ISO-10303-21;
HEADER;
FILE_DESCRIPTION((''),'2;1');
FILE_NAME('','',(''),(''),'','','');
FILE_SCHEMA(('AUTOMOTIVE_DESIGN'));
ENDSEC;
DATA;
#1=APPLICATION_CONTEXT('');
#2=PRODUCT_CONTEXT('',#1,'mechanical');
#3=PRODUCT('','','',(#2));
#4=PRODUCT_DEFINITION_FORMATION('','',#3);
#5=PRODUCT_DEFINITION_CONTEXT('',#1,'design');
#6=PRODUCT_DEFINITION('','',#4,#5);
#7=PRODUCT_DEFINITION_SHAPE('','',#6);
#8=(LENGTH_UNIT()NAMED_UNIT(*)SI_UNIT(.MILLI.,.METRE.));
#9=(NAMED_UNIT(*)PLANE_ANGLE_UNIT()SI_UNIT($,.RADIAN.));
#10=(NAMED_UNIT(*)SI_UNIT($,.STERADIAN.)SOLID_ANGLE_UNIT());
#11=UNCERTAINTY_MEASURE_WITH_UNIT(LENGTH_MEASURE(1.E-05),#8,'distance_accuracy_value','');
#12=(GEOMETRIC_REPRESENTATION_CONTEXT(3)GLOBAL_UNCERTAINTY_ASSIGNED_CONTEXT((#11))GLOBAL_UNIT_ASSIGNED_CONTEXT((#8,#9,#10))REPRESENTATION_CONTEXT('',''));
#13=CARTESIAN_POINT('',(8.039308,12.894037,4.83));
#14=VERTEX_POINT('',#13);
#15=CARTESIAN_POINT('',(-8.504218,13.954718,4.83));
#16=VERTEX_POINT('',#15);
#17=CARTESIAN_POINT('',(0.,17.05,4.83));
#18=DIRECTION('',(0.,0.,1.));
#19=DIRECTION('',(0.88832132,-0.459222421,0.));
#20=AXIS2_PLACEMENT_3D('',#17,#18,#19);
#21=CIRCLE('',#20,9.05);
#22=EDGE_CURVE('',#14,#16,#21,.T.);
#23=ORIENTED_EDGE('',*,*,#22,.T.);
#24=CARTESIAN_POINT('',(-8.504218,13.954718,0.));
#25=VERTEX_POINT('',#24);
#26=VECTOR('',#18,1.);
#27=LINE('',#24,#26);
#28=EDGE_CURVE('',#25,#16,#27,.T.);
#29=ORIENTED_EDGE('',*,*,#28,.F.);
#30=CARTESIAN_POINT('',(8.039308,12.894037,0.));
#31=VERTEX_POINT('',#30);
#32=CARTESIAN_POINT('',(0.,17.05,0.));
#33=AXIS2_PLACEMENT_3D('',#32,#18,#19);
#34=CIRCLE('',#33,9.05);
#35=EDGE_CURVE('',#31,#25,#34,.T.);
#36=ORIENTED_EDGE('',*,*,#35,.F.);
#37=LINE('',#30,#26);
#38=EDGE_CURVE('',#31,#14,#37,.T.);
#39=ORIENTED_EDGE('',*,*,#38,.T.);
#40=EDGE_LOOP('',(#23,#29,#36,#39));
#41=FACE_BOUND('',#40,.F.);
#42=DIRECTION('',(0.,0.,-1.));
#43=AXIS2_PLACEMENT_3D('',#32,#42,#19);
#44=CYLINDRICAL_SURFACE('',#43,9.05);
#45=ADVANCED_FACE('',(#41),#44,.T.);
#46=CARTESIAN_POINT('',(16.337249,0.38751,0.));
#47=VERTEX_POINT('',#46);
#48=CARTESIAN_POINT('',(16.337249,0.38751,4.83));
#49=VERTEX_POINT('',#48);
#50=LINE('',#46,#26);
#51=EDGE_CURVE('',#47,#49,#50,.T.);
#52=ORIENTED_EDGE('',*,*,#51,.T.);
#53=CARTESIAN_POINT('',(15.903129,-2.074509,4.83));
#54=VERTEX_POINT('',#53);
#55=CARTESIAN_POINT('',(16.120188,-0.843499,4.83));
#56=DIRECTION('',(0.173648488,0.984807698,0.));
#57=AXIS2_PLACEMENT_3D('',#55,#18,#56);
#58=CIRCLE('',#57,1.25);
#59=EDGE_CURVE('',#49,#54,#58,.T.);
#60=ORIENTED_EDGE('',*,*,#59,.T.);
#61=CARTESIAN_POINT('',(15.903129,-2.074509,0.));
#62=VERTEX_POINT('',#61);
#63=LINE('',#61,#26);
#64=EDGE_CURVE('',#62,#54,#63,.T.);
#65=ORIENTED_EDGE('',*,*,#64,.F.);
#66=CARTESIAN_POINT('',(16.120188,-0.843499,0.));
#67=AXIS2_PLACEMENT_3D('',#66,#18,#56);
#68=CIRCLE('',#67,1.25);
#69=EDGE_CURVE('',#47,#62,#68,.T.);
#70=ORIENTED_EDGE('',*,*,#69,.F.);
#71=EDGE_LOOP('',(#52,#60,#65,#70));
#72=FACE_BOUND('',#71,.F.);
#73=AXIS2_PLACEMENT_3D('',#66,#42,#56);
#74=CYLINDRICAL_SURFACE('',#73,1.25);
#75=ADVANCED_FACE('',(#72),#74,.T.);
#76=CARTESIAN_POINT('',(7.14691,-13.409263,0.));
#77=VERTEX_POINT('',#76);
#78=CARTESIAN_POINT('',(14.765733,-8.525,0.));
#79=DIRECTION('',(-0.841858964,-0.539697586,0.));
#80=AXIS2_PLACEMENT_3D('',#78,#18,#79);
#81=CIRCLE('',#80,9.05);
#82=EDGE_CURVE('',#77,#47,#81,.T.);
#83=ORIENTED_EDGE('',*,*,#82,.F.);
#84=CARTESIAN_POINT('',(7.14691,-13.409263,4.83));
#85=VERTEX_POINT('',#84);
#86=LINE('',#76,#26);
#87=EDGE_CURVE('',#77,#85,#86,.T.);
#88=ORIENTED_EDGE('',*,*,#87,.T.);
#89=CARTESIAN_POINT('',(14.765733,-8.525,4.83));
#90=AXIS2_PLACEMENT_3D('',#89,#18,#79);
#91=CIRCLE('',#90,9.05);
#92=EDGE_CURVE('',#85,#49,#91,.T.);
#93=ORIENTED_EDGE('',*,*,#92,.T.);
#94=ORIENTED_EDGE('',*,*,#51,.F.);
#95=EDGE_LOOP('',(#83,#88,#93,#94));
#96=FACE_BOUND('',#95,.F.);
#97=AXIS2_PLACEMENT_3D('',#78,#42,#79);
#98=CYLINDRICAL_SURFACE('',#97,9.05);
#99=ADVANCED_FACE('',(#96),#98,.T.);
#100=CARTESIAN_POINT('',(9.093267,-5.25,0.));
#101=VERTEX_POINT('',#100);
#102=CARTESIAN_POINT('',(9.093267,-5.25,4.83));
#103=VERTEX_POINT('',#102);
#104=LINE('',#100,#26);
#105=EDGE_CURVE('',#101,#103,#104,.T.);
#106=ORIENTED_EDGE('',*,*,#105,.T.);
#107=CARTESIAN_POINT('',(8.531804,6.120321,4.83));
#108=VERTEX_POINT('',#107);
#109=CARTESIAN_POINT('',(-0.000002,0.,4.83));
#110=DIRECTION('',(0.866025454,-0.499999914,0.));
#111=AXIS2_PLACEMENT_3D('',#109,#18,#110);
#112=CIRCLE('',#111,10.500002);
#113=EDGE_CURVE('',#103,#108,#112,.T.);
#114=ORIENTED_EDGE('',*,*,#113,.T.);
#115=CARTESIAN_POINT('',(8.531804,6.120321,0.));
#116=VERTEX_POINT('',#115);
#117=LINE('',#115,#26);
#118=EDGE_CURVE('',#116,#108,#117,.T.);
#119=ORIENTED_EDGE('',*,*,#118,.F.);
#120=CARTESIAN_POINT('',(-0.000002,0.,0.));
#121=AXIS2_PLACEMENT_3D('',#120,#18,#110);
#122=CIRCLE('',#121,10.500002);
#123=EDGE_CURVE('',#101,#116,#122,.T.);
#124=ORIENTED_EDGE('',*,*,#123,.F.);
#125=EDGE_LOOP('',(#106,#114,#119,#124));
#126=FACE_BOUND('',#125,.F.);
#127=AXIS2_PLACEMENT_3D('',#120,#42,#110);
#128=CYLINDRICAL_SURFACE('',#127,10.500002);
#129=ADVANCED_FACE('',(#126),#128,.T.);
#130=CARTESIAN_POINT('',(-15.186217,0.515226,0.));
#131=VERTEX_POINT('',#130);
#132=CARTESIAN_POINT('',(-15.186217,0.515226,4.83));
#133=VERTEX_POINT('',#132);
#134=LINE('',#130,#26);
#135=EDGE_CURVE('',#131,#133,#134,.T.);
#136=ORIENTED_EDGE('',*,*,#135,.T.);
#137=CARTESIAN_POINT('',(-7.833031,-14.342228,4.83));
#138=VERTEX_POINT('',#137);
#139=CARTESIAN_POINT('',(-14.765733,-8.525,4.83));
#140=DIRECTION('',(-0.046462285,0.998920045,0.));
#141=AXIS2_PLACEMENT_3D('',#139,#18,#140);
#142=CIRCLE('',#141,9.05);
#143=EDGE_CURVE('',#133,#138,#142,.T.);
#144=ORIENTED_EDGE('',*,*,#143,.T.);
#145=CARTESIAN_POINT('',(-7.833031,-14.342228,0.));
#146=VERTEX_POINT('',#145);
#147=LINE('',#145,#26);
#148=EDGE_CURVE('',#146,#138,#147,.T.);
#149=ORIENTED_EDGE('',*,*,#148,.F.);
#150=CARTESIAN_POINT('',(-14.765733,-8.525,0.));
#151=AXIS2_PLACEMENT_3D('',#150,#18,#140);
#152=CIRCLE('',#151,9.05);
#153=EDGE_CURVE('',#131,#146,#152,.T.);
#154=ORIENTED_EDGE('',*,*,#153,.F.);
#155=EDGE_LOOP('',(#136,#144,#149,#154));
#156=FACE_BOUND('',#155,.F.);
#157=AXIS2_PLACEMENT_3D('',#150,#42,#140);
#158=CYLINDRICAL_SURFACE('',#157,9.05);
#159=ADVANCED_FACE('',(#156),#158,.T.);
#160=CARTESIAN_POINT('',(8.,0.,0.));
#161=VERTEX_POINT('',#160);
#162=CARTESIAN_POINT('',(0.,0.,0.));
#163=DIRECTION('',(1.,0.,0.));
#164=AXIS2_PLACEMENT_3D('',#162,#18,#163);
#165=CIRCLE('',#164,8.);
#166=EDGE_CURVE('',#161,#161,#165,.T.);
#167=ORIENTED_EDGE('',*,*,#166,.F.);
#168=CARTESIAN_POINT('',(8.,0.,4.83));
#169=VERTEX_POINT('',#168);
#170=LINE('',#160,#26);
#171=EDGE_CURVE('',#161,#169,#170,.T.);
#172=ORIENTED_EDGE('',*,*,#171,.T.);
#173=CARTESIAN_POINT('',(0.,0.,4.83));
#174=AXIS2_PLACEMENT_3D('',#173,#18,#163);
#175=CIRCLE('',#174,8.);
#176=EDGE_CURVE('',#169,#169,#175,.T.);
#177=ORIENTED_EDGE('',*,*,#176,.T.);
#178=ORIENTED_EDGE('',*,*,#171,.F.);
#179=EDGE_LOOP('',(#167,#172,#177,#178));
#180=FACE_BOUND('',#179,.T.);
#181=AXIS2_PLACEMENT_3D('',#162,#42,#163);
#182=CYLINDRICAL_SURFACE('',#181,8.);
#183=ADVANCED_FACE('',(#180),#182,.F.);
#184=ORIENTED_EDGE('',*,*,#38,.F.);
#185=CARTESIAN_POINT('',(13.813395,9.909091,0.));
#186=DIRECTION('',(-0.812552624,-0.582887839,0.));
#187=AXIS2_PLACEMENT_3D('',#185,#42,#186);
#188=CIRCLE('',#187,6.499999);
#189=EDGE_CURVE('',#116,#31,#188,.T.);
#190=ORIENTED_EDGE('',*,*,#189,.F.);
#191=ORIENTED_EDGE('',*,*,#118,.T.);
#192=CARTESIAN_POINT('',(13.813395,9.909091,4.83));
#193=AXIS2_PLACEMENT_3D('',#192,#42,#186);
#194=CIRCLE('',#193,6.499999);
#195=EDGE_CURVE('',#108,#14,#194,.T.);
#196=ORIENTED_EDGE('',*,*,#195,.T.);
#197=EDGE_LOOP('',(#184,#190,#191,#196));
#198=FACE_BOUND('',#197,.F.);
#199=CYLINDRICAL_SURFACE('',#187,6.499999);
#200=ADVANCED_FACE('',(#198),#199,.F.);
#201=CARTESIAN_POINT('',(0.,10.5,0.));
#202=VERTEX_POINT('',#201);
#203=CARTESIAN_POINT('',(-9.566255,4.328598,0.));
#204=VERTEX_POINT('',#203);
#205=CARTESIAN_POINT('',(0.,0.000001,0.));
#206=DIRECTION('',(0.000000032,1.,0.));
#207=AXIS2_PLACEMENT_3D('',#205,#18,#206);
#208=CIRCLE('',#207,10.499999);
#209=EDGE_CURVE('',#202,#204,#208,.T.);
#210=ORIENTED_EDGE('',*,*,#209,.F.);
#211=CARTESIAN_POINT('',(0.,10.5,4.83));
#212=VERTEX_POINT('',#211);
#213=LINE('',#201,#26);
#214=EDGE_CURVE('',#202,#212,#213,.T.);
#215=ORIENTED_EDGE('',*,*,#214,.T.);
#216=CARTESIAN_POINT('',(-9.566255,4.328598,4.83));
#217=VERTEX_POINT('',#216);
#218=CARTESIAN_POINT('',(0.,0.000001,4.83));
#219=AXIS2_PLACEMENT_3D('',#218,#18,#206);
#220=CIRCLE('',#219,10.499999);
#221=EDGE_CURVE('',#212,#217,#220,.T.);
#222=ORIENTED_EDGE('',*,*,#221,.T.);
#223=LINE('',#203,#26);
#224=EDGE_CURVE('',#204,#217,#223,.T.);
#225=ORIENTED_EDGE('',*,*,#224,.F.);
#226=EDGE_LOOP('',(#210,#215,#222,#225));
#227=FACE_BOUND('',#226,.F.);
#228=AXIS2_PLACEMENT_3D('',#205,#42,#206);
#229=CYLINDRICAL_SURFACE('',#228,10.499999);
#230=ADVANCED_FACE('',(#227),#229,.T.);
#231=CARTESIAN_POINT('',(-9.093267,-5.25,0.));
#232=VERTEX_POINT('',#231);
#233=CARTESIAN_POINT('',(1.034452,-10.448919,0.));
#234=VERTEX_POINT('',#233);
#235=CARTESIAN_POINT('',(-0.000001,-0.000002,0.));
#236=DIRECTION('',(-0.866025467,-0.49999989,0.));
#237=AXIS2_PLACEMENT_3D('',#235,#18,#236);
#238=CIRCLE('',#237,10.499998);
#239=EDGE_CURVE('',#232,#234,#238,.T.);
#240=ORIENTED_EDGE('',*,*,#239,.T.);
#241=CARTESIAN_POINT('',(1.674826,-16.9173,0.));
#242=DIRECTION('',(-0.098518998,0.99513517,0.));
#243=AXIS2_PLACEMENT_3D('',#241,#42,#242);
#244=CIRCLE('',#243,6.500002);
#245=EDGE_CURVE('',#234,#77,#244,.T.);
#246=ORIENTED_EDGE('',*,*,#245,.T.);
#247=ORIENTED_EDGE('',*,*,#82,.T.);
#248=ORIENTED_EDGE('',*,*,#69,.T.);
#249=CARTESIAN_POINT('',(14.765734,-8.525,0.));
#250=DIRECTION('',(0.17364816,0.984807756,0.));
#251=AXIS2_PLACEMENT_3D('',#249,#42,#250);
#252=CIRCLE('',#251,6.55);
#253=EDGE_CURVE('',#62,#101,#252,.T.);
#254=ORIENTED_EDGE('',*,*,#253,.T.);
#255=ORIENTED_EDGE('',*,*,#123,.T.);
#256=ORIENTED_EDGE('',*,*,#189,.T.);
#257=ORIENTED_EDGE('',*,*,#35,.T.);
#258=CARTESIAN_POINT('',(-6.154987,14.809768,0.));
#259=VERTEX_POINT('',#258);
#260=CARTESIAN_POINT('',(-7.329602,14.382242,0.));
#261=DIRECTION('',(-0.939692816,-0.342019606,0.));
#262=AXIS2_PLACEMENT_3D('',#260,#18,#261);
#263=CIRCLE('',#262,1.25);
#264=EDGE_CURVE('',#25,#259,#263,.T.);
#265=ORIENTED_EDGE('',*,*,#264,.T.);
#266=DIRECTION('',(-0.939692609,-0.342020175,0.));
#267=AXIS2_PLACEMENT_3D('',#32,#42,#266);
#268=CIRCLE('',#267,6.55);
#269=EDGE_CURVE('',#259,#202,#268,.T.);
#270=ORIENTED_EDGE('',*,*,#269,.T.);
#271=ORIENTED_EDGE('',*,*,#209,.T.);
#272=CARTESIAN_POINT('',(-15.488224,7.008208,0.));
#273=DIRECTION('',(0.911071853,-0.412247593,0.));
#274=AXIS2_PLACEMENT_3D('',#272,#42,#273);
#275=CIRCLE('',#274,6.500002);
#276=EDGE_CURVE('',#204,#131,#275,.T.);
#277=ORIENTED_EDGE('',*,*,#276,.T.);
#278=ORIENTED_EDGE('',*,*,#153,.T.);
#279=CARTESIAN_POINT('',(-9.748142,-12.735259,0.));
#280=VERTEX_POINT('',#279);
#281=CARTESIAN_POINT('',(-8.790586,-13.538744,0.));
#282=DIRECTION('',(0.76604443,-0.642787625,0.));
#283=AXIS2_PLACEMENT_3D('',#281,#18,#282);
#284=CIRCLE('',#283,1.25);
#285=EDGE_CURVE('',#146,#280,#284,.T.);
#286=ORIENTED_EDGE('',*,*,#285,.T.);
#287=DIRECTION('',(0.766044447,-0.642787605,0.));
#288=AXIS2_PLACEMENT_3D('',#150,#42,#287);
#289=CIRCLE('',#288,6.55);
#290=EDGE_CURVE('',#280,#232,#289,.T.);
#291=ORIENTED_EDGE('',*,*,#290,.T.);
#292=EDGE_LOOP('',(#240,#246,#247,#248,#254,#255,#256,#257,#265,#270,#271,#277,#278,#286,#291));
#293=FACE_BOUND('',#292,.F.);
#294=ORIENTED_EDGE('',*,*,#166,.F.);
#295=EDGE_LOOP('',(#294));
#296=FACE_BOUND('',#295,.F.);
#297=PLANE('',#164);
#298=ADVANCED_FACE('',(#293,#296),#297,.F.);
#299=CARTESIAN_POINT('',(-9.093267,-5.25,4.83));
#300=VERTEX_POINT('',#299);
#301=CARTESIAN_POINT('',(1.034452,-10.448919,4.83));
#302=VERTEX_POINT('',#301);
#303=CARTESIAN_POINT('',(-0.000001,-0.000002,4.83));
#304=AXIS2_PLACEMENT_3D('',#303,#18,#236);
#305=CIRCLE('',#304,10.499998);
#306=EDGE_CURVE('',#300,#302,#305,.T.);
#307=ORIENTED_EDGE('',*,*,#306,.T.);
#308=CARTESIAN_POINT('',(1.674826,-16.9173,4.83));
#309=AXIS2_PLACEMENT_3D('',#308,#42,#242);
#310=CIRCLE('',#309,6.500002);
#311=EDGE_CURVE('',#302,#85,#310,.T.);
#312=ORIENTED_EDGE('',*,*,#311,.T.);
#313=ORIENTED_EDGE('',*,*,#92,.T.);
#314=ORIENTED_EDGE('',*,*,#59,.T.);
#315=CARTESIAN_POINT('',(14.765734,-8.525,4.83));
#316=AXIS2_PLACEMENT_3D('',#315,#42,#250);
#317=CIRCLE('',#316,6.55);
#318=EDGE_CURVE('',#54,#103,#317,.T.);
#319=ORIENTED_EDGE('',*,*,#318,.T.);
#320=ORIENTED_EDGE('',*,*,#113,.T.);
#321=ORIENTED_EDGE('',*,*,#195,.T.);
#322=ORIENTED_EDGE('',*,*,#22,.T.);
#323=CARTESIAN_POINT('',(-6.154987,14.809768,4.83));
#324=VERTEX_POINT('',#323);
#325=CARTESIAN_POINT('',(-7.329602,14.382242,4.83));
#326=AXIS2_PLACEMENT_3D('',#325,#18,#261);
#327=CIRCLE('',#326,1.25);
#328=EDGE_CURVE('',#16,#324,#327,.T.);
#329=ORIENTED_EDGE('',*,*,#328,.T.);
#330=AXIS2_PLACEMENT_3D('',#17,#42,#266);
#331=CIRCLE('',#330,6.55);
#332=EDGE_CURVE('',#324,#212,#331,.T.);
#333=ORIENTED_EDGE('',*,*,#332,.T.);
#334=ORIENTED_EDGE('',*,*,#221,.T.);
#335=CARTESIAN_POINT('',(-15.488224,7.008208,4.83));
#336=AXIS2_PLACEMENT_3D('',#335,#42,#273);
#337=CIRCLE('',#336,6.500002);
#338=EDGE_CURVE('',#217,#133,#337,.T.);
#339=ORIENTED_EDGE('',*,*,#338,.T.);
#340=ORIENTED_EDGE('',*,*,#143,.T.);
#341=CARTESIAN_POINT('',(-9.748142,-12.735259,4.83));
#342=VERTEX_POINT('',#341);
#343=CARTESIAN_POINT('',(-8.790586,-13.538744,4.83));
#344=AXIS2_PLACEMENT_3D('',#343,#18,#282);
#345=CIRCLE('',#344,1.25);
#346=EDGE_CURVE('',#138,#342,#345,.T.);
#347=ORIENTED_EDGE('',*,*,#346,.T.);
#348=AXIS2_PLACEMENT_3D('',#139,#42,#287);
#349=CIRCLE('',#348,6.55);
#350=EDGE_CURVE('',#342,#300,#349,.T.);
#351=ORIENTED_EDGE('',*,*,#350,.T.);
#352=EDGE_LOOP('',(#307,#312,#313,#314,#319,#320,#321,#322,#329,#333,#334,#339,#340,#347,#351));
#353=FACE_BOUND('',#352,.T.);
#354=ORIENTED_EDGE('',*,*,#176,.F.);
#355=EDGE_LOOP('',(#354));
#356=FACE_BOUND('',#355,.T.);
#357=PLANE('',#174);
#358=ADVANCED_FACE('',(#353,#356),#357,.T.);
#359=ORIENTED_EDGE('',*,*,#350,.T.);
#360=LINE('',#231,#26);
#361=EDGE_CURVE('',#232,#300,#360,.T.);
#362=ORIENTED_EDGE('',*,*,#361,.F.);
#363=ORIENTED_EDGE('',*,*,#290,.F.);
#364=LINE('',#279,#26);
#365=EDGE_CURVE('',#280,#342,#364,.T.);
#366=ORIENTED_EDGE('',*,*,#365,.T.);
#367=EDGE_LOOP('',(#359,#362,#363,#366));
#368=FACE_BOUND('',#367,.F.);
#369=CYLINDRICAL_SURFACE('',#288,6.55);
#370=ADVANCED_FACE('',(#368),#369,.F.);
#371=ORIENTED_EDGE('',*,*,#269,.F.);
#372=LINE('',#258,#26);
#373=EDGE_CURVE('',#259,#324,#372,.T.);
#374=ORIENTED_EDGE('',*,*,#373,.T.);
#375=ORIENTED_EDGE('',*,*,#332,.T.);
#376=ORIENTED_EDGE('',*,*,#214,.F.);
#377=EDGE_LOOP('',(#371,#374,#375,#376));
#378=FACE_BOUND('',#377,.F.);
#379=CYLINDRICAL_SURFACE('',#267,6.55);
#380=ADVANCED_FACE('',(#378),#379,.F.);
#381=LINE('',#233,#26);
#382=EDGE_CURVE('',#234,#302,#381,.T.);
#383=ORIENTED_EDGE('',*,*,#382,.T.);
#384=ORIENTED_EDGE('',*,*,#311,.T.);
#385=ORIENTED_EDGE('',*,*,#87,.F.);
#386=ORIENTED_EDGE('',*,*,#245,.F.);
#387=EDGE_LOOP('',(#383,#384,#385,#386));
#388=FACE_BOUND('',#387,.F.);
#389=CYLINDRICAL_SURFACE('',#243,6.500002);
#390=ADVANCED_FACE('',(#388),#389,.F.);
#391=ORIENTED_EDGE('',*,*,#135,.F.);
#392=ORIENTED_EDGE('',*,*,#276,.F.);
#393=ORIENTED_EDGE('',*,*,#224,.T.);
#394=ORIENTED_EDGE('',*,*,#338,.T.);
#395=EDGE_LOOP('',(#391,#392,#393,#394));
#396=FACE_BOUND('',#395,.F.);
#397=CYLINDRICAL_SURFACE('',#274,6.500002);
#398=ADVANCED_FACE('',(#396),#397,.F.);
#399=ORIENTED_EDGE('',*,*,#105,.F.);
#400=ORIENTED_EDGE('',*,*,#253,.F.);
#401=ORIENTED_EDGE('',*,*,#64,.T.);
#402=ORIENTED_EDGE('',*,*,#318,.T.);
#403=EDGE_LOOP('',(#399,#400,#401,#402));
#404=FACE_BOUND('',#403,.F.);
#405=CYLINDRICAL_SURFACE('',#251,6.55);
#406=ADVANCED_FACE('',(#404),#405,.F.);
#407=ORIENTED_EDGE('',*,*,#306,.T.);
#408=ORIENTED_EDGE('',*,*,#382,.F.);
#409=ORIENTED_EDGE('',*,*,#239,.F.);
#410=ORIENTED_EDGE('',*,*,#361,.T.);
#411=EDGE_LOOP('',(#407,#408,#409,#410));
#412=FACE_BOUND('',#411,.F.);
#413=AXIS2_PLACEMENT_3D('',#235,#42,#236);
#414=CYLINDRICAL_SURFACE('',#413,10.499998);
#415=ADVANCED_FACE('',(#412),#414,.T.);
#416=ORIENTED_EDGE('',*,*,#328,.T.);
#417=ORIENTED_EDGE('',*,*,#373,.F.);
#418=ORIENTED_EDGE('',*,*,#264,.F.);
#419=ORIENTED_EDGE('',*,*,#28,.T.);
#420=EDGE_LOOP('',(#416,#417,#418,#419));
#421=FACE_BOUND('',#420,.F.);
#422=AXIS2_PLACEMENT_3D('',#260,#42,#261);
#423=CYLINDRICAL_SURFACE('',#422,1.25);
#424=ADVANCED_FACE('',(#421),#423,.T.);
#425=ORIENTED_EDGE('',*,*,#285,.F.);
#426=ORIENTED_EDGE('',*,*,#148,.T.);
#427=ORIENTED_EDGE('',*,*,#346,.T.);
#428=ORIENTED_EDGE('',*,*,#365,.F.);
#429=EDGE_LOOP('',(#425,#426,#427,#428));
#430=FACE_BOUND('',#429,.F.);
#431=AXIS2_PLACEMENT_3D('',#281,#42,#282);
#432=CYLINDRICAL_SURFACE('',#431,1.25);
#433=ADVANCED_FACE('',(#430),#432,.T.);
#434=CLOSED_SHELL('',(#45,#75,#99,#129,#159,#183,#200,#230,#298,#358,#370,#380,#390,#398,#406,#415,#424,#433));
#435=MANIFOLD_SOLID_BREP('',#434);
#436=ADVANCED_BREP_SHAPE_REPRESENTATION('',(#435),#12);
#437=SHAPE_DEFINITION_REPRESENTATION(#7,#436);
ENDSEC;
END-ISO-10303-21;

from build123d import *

# Parameters (mm, degrees)
F0_R     = 8
F1_DEPTH = 4.83


with BuildPart() as f1:
    # F0 (on Top) → F1 (new body)
    with BuildSketch(Plane.XY):
        with BuildLine():
            ThreePointArc((-6.154987, 14.809768), (3.756926, 22.415446), (0, 10.5))
            ThreePointArc((0, 10.5), (-5.692087, 8.823273), (-9.566255, 4.328598))
            ThreePointArc((-9.566255, 4.328598), (-11.838577, 1.629537), (-15.186217, 0.515226))
            ThreePointArc((-15.186217, 0.515226), (-22.876728, -12.539258), (-7.833031, -14.342228))
            ThreePointArc((-7.833031, -14.342228), (-7.987102, -12.581188), (-9.748142, -12.735259))
            ThreePointArc((-9.748142, -12.735259), (-21.290808, -7.95413), (-9.093267, -5.25))
            ThreePointArc((-9.093267, -5.25), (-4.795135, -9.341129), (1.034452, -10.448919))
            ThreePointArc((1.034452, -10.448919), (4.508068, -11.067277), (7.14691, -13.409263))
            ThreePointArc((7.14691, -13.409263), (22.29768, -13.542198), (16.337249, 0.38751))
            ThreePointArc((16.337249, 0.38751), (14.889179, -0.626439), (15.903129, -2.074509))
            ThreePointArc((15.903129, -2.074509), (17.533883, -14.461316), (9.093267, -5.25))
            ThreePointArc((9.093267, -5.25), (10.487222, 0.517856), (8.531804, 6.120321))
            ThreePointArc((8.531804, 6.120321), (7.330509, 9.43774), (8.039308, 12.894037))
            ThreePointArc((8.039308, 12.894037), (0.579048, 26.081456), (-8.504218, 13.954718))
            ThreePointArc((-8.504218, 13.954718), (-6.902077, 13.207627), (-6.154987, 14.809768))
        make_face()
        Circle(F0_R, mode=Mode.SUBTRACT)
    extrude(amount=F1_DEPTH)


solid = f1.part
